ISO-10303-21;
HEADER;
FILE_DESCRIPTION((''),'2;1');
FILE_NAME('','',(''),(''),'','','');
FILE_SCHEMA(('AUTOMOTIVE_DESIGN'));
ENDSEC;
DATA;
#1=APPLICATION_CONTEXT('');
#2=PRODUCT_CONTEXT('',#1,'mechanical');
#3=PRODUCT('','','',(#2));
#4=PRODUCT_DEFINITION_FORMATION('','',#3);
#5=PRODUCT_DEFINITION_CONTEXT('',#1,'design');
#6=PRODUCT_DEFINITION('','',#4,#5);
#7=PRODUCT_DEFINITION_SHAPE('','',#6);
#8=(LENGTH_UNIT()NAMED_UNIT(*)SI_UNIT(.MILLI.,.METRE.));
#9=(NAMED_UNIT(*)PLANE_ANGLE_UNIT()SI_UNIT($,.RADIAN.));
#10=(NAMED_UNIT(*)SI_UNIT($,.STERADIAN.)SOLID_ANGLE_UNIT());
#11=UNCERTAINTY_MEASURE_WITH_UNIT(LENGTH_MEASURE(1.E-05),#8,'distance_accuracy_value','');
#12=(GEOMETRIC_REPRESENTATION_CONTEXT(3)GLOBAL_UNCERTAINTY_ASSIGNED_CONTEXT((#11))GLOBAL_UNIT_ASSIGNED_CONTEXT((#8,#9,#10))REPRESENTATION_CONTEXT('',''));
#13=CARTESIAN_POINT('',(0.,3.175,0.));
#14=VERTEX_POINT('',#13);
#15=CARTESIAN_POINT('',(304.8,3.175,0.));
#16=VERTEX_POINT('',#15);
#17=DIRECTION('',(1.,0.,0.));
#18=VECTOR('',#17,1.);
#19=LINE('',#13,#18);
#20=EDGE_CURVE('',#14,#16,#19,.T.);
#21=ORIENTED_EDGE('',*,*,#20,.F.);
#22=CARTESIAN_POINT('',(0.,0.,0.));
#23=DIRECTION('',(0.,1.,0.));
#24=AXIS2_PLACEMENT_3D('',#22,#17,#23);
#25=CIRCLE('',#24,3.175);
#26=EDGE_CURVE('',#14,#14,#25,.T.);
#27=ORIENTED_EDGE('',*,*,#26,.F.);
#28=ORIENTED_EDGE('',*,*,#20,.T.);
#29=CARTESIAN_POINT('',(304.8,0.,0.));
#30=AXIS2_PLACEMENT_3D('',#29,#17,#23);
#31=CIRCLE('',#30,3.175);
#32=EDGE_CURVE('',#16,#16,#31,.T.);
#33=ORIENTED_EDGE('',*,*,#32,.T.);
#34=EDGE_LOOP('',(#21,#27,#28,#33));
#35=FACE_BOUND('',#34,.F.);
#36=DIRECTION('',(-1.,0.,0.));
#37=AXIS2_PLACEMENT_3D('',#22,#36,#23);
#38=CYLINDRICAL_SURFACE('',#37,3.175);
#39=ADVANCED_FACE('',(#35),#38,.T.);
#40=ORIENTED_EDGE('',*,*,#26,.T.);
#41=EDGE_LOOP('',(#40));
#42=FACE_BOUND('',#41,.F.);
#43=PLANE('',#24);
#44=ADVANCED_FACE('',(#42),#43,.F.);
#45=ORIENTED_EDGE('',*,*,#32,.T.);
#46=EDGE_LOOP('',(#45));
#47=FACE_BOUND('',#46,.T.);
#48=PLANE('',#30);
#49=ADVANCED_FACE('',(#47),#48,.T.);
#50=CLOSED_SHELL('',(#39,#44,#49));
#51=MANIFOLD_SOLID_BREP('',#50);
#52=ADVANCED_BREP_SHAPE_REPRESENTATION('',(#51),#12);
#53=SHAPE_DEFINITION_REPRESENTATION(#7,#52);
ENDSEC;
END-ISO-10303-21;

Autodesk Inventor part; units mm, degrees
ref_plane "YZ Plane" through (0, 0, 0) normal (1, 0, 0) x (0, 1, 0)
ref_plane "XZ Plane" through (0, 0, 0) normal (0, 1, 0) x (-1, 0, 0)
ref_plane "XY Plane" through (0, 0, 0) normal (0, 0, 1) x (1, 0, 0)
sketch "Sketch1" plane through (0, 0, 0) normal (1, 0, 0) x (0, 1, 0)
  circle A0 centre (0, 0) radius 3.175
  dimension "d0" = 6.35
extrude "Extrusion1" add sketch "Sketch1" along normal blind 304.8
properties part number "Support Bar"
